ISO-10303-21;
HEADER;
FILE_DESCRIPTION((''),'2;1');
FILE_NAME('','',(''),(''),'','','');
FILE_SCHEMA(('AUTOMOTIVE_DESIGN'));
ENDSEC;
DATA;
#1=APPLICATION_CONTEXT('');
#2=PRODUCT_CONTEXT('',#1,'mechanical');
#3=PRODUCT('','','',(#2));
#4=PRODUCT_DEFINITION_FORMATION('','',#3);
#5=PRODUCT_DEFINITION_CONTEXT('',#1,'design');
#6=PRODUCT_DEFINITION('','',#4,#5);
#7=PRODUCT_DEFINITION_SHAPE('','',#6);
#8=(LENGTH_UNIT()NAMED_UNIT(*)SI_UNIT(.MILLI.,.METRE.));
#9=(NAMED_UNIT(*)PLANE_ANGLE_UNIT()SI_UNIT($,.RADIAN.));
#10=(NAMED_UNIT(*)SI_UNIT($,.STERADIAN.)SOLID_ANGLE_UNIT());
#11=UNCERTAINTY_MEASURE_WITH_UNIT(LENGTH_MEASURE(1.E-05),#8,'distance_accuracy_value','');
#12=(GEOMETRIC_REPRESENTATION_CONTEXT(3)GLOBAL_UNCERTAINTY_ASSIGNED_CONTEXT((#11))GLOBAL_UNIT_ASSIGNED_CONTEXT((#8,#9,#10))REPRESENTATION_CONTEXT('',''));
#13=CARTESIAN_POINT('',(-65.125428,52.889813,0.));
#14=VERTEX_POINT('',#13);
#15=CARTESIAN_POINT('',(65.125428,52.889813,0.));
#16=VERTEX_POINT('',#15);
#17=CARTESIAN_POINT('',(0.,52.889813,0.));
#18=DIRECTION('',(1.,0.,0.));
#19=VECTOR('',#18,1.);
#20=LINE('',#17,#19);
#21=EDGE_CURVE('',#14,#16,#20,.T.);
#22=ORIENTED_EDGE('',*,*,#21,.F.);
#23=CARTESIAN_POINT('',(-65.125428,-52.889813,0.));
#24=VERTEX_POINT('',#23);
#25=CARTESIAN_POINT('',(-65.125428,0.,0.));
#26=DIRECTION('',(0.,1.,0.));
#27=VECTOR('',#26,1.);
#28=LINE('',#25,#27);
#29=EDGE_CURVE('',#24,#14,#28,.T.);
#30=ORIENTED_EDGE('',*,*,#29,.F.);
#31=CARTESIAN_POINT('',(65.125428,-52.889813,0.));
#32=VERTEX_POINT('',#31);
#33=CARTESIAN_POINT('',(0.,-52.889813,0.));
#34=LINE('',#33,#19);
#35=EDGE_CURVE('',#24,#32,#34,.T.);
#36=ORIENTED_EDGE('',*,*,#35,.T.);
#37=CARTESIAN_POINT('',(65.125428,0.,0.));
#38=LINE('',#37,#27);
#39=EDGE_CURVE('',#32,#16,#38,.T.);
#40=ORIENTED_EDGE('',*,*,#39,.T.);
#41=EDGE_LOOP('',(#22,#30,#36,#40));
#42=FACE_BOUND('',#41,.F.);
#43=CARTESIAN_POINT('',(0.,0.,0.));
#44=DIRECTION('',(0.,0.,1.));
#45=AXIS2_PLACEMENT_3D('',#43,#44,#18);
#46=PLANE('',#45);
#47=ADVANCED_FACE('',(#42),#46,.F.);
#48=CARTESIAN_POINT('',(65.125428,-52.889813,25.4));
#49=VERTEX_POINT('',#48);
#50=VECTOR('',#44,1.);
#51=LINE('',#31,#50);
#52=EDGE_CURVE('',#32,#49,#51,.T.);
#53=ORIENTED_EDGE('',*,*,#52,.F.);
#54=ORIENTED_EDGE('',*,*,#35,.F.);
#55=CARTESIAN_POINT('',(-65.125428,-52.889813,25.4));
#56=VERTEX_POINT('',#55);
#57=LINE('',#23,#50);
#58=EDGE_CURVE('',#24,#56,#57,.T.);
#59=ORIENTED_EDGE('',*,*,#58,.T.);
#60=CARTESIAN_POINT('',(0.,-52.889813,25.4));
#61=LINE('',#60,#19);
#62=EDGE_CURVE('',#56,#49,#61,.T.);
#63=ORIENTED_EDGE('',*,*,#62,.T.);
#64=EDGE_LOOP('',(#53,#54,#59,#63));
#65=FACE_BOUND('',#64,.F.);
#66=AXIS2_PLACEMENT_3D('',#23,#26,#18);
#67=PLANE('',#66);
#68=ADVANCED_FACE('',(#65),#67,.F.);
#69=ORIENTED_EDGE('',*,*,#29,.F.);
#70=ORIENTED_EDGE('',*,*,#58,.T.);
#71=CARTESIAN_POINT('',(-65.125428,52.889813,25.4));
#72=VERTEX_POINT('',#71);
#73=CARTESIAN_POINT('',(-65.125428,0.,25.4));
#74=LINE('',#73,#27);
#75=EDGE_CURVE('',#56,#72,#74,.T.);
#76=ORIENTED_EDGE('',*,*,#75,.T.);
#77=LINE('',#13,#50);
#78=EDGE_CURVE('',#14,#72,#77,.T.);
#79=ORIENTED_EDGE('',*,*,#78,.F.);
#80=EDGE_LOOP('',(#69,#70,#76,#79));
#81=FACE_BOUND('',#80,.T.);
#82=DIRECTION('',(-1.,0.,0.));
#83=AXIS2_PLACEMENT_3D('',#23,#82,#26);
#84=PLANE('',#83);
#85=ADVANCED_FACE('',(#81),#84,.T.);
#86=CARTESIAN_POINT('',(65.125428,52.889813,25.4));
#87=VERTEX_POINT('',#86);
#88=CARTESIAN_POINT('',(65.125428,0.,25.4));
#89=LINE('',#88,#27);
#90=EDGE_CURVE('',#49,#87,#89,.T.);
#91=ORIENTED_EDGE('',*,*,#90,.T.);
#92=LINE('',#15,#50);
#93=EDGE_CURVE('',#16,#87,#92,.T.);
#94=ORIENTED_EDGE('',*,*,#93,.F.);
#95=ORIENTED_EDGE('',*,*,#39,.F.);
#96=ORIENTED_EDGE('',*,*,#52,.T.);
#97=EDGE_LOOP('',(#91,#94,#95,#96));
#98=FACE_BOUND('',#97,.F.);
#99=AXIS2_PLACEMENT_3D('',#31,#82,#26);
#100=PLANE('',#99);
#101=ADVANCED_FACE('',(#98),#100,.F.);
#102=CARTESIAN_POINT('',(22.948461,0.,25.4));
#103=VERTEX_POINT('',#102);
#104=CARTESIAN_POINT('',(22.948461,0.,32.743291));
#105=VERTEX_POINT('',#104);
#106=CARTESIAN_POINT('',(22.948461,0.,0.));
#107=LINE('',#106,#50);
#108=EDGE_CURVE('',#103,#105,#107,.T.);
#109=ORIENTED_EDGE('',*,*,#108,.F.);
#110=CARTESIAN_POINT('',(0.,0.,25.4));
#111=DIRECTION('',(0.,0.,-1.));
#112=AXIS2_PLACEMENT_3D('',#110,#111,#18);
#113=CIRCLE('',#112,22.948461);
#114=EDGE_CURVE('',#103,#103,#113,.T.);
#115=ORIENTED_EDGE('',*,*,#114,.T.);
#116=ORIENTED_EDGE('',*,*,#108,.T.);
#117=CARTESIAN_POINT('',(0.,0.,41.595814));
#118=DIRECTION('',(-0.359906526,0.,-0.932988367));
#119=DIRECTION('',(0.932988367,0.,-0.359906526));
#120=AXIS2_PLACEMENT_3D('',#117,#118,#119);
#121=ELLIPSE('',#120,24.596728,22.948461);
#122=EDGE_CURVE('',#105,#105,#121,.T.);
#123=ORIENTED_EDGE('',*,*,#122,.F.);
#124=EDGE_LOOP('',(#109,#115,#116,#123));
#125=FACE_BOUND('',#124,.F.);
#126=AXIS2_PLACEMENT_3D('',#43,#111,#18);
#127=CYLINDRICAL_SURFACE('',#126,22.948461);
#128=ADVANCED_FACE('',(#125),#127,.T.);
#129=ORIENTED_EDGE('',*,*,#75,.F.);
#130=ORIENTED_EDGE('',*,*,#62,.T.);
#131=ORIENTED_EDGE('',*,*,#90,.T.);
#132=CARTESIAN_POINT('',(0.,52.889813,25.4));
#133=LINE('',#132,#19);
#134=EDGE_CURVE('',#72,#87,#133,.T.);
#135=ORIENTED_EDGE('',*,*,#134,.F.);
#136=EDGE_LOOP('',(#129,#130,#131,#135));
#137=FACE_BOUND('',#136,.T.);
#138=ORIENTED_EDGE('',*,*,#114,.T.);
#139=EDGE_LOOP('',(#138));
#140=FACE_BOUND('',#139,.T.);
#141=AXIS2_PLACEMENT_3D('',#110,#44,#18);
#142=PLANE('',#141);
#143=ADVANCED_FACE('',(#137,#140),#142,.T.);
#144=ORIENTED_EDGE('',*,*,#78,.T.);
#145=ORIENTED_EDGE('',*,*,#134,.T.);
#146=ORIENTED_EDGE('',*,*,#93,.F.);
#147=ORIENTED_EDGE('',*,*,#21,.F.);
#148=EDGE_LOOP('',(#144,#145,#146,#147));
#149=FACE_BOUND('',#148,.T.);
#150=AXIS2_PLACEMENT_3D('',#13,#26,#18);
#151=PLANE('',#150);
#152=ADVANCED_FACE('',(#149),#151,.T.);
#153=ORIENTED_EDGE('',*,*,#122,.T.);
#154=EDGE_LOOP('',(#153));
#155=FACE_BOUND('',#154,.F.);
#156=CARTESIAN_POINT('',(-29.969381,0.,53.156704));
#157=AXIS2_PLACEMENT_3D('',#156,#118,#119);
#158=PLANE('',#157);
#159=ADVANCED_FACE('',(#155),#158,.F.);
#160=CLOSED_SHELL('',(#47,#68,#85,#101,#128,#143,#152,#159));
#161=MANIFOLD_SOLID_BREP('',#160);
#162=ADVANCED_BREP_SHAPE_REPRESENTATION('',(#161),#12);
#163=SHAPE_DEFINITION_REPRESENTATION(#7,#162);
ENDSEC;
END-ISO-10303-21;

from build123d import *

# Parameters (mm, degrees)
F0_R     = 22.948461
F1_DEPTH = 50.8
F2_W     = 130.250856
F2_H     = 105.779626
F3_DEPTH = 25.4
F5_DEPTH = 127


with BuildPart() as f1:
    # F0 (on Top) → F1 (new body)
    with BuildSketch(Plane.XY):
        Circle(F0_R)
    extrude(amount=F1_DEPTH)

    # F2 (on Top) → F3 (join)
    with BuildSketch(Plane.XY):
        Rectangle(F2_W, F2_H)
    extrude(amount=F3_DEPTH)

    # F4 (on Front) → F5 (cut, symmetric)
    with BuildSketch(Plane.XZ):
        Polygon((31.802371, 53.156704), (-29.969381, 53.156704), (31.802371, 29.327836), (33.301385, 50.980239), (33.452064, 53.156704), align=None)
    extrude(amount=F5_DEPTH, both=True, mode=Mode.SUBTRACT)


solid = f1.part
